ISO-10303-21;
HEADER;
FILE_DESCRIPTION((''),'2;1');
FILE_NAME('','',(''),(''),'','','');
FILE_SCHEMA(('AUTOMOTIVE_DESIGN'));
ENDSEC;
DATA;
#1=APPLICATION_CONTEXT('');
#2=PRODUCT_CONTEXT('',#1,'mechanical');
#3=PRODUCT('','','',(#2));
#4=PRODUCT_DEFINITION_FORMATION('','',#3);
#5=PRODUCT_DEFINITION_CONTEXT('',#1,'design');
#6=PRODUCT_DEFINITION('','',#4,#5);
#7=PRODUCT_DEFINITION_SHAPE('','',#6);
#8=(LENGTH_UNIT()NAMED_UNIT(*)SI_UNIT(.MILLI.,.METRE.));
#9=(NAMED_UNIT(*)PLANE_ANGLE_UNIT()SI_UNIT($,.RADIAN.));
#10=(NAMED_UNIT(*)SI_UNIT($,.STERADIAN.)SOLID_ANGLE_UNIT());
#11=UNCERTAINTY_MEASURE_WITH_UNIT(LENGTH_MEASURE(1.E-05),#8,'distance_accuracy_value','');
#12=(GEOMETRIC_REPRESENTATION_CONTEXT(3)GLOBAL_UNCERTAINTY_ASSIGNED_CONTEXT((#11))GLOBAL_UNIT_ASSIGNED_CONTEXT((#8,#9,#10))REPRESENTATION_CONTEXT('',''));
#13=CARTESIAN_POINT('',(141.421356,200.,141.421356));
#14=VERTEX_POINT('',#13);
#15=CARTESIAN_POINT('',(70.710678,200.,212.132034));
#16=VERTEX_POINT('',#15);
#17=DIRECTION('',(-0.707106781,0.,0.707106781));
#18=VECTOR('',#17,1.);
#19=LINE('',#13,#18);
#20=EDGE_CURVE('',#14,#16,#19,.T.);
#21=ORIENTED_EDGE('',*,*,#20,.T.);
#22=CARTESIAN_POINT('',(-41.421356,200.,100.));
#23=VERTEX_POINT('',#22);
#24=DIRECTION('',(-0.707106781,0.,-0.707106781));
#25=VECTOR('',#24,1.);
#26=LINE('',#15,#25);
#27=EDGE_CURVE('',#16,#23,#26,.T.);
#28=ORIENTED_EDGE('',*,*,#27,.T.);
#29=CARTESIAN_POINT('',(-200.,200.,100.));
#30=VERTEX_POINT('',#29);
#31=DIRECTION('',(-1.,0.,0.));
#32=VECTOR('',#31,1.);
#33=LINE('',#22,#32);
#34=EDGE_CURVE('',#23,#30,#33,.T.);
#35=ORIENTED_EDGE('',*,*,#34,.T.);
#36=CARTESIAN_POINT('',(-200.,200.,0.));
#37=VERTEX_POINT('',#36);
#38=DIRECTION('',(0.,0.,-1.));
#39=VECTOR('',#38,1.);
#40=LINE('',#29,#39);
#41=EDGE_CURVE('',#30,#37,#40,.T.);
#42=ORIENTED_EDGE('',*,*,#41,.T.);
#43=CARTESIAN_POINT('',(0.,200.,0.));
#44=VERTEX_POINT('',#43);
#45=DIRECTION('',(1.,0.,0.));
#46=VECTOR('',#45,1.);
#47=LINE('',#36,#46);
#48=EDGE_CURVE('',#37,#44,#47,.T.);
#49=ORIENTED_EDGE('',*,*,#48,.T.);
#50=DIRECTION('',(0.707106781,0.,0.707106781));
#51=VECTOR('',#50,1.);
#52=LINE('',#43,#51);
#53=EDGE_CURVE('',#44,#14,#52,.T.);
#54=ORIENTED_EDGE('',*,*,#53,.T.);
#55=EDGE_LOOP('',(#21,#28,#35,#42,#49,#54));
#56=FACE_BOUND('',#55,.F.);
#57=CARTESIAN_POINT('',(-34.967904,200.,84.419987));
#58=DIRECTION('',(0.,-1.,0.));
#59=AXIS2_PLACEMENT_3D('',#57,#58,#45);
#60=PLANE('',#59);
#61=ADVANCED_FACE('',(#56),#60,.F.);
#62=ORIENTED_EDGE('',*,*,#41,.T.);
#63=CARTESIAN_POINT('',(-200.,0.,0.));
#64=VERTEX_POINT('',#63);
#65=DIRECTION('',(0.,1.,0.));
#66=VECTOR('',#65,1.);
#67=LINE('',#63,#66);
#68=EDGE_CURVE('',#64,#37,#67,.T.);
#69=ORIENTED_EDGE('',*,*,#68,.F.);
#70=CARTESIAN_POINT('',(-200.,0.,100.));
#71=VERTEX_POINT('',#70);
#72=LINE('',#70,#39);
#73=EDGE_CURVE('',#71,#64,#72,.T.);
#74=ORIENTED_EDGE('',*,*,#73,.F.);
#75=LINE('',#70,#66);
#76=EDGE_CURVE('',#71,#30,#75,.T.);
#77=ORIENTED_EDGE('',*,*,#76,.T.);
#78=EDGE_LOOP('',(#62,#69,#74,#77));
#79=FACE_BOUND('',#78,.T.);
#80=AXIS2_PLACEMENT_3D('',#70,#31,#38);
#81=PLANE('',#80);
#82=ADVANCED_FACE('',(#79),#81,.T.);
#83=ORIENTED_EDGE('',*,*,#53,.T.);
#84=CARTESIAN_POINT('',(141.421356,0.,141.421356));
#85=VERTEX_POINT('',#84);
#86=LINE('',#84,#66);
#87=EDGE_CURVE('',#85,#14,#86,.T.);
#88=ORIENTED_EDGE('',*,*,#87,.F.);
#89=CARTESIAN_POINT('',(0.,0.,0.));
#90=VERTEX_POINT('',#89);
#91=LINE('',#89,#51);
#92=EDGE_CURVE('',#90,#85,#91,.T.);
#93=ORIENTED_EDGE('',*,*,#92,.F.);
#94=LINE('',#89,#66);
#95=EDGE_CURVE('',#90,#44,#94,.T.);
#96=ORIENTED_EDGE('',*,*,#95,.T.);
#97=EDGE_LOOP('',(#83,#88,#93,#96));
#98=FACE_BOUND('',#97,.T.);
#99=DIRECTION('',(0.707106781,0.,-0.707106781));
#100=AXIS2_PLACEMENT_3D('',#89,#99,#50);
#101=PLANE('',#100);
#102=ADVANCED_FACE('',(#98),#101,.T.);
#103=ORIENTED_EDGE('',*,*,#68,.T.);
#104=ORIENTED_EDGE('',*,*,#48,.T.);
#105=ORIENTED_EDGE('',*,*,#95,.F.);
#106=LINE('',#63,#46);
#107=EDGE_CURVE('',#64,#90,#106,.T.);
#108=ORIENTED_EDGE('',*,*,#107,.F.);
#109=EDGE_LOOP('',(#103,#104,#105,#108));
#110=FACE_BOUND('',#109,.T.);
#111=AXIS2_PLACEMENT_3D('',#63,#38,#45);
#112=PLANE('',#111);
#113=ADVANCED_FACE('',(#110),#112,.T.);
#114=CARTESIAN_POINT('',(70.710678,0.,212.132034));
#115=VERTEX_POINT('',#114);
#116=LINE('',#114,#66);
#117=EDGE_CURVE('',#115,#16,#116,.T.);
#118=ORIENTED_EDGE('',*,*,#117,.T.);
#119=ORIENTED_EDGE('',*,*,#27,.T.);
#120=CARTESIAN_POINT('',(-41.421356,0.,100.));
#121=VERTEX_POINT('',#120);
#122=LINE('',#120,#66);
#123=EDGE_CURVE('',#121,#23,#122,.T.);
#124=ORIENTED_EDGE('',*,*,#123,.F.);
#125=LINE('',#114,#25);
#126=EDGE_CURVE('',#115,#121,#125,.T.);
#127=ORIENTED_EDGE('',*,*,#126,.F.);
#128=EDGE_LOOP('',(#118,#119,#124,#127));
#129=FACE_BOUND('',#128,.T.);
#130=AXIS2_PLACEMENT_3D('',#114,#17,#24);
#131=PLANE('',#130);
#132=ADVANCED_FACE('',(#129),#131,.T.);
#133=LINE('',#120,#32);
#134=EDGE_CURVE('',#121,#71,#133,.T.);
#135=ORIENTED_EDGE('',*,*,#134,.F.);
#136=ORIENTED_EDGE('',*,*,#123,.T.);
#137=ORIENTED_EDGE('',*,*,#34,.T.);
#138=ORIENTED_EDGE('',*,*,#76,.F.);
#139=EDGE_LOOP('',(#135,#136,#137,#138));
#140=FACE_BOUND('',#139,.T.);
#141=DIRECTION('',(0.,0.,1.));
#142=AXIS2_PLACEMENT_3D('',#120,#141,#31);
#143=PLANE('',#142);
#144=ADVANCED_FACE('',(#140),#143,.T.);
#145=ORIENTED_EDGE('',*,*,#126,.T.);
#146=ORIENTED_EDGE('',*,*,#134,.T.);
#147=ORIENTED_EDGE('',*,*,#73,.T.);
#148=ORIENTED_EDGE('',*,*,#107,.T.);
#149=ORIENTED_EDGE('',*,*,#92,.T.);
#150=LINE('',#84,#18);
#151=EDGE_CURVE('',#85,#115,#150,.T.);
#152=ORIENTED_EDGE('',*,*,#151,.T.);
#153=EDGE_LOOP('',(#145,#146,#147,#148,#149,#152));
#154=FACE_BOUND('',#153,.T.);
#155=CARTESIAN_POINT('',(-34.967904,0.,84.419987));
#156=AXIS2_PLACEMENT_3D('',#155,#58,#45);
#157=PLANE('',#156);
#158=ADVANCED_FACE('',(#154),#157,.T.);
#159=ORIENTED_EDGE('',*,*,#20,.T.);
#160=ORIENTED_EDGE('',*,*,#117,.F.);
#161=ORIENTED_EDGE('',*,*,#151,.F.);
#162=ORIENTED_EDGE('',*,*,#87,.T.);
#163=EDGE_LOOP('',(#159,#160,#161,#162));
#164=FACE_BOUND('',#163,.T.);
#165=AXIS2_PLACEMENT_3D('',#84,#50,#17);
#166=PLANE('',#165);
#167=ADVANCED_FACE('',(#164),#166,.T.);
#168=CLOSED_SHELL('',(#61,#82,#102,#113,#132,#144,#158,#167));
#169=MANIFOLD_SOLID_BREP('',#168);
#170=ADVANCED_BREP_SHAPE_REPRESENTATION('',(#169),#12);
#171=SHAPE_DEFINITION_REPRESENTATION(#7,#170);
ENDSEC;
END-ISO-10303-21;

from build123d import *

# Parameters (mm, degrees)
PAD_DEPTH = 200


with BuildPart() as part:
    # Sketch → Pad (new body)
    with BuildSketch(Plane.XZ):
        Polygon((-200, 100), (-200, 0), (0, 0), (141.421356, 141.421356), (70.710678, 212.132034), (-41.421356, 100), align=None)
    extrude(amount=-PAD_DEPTH)


solid = part.part
